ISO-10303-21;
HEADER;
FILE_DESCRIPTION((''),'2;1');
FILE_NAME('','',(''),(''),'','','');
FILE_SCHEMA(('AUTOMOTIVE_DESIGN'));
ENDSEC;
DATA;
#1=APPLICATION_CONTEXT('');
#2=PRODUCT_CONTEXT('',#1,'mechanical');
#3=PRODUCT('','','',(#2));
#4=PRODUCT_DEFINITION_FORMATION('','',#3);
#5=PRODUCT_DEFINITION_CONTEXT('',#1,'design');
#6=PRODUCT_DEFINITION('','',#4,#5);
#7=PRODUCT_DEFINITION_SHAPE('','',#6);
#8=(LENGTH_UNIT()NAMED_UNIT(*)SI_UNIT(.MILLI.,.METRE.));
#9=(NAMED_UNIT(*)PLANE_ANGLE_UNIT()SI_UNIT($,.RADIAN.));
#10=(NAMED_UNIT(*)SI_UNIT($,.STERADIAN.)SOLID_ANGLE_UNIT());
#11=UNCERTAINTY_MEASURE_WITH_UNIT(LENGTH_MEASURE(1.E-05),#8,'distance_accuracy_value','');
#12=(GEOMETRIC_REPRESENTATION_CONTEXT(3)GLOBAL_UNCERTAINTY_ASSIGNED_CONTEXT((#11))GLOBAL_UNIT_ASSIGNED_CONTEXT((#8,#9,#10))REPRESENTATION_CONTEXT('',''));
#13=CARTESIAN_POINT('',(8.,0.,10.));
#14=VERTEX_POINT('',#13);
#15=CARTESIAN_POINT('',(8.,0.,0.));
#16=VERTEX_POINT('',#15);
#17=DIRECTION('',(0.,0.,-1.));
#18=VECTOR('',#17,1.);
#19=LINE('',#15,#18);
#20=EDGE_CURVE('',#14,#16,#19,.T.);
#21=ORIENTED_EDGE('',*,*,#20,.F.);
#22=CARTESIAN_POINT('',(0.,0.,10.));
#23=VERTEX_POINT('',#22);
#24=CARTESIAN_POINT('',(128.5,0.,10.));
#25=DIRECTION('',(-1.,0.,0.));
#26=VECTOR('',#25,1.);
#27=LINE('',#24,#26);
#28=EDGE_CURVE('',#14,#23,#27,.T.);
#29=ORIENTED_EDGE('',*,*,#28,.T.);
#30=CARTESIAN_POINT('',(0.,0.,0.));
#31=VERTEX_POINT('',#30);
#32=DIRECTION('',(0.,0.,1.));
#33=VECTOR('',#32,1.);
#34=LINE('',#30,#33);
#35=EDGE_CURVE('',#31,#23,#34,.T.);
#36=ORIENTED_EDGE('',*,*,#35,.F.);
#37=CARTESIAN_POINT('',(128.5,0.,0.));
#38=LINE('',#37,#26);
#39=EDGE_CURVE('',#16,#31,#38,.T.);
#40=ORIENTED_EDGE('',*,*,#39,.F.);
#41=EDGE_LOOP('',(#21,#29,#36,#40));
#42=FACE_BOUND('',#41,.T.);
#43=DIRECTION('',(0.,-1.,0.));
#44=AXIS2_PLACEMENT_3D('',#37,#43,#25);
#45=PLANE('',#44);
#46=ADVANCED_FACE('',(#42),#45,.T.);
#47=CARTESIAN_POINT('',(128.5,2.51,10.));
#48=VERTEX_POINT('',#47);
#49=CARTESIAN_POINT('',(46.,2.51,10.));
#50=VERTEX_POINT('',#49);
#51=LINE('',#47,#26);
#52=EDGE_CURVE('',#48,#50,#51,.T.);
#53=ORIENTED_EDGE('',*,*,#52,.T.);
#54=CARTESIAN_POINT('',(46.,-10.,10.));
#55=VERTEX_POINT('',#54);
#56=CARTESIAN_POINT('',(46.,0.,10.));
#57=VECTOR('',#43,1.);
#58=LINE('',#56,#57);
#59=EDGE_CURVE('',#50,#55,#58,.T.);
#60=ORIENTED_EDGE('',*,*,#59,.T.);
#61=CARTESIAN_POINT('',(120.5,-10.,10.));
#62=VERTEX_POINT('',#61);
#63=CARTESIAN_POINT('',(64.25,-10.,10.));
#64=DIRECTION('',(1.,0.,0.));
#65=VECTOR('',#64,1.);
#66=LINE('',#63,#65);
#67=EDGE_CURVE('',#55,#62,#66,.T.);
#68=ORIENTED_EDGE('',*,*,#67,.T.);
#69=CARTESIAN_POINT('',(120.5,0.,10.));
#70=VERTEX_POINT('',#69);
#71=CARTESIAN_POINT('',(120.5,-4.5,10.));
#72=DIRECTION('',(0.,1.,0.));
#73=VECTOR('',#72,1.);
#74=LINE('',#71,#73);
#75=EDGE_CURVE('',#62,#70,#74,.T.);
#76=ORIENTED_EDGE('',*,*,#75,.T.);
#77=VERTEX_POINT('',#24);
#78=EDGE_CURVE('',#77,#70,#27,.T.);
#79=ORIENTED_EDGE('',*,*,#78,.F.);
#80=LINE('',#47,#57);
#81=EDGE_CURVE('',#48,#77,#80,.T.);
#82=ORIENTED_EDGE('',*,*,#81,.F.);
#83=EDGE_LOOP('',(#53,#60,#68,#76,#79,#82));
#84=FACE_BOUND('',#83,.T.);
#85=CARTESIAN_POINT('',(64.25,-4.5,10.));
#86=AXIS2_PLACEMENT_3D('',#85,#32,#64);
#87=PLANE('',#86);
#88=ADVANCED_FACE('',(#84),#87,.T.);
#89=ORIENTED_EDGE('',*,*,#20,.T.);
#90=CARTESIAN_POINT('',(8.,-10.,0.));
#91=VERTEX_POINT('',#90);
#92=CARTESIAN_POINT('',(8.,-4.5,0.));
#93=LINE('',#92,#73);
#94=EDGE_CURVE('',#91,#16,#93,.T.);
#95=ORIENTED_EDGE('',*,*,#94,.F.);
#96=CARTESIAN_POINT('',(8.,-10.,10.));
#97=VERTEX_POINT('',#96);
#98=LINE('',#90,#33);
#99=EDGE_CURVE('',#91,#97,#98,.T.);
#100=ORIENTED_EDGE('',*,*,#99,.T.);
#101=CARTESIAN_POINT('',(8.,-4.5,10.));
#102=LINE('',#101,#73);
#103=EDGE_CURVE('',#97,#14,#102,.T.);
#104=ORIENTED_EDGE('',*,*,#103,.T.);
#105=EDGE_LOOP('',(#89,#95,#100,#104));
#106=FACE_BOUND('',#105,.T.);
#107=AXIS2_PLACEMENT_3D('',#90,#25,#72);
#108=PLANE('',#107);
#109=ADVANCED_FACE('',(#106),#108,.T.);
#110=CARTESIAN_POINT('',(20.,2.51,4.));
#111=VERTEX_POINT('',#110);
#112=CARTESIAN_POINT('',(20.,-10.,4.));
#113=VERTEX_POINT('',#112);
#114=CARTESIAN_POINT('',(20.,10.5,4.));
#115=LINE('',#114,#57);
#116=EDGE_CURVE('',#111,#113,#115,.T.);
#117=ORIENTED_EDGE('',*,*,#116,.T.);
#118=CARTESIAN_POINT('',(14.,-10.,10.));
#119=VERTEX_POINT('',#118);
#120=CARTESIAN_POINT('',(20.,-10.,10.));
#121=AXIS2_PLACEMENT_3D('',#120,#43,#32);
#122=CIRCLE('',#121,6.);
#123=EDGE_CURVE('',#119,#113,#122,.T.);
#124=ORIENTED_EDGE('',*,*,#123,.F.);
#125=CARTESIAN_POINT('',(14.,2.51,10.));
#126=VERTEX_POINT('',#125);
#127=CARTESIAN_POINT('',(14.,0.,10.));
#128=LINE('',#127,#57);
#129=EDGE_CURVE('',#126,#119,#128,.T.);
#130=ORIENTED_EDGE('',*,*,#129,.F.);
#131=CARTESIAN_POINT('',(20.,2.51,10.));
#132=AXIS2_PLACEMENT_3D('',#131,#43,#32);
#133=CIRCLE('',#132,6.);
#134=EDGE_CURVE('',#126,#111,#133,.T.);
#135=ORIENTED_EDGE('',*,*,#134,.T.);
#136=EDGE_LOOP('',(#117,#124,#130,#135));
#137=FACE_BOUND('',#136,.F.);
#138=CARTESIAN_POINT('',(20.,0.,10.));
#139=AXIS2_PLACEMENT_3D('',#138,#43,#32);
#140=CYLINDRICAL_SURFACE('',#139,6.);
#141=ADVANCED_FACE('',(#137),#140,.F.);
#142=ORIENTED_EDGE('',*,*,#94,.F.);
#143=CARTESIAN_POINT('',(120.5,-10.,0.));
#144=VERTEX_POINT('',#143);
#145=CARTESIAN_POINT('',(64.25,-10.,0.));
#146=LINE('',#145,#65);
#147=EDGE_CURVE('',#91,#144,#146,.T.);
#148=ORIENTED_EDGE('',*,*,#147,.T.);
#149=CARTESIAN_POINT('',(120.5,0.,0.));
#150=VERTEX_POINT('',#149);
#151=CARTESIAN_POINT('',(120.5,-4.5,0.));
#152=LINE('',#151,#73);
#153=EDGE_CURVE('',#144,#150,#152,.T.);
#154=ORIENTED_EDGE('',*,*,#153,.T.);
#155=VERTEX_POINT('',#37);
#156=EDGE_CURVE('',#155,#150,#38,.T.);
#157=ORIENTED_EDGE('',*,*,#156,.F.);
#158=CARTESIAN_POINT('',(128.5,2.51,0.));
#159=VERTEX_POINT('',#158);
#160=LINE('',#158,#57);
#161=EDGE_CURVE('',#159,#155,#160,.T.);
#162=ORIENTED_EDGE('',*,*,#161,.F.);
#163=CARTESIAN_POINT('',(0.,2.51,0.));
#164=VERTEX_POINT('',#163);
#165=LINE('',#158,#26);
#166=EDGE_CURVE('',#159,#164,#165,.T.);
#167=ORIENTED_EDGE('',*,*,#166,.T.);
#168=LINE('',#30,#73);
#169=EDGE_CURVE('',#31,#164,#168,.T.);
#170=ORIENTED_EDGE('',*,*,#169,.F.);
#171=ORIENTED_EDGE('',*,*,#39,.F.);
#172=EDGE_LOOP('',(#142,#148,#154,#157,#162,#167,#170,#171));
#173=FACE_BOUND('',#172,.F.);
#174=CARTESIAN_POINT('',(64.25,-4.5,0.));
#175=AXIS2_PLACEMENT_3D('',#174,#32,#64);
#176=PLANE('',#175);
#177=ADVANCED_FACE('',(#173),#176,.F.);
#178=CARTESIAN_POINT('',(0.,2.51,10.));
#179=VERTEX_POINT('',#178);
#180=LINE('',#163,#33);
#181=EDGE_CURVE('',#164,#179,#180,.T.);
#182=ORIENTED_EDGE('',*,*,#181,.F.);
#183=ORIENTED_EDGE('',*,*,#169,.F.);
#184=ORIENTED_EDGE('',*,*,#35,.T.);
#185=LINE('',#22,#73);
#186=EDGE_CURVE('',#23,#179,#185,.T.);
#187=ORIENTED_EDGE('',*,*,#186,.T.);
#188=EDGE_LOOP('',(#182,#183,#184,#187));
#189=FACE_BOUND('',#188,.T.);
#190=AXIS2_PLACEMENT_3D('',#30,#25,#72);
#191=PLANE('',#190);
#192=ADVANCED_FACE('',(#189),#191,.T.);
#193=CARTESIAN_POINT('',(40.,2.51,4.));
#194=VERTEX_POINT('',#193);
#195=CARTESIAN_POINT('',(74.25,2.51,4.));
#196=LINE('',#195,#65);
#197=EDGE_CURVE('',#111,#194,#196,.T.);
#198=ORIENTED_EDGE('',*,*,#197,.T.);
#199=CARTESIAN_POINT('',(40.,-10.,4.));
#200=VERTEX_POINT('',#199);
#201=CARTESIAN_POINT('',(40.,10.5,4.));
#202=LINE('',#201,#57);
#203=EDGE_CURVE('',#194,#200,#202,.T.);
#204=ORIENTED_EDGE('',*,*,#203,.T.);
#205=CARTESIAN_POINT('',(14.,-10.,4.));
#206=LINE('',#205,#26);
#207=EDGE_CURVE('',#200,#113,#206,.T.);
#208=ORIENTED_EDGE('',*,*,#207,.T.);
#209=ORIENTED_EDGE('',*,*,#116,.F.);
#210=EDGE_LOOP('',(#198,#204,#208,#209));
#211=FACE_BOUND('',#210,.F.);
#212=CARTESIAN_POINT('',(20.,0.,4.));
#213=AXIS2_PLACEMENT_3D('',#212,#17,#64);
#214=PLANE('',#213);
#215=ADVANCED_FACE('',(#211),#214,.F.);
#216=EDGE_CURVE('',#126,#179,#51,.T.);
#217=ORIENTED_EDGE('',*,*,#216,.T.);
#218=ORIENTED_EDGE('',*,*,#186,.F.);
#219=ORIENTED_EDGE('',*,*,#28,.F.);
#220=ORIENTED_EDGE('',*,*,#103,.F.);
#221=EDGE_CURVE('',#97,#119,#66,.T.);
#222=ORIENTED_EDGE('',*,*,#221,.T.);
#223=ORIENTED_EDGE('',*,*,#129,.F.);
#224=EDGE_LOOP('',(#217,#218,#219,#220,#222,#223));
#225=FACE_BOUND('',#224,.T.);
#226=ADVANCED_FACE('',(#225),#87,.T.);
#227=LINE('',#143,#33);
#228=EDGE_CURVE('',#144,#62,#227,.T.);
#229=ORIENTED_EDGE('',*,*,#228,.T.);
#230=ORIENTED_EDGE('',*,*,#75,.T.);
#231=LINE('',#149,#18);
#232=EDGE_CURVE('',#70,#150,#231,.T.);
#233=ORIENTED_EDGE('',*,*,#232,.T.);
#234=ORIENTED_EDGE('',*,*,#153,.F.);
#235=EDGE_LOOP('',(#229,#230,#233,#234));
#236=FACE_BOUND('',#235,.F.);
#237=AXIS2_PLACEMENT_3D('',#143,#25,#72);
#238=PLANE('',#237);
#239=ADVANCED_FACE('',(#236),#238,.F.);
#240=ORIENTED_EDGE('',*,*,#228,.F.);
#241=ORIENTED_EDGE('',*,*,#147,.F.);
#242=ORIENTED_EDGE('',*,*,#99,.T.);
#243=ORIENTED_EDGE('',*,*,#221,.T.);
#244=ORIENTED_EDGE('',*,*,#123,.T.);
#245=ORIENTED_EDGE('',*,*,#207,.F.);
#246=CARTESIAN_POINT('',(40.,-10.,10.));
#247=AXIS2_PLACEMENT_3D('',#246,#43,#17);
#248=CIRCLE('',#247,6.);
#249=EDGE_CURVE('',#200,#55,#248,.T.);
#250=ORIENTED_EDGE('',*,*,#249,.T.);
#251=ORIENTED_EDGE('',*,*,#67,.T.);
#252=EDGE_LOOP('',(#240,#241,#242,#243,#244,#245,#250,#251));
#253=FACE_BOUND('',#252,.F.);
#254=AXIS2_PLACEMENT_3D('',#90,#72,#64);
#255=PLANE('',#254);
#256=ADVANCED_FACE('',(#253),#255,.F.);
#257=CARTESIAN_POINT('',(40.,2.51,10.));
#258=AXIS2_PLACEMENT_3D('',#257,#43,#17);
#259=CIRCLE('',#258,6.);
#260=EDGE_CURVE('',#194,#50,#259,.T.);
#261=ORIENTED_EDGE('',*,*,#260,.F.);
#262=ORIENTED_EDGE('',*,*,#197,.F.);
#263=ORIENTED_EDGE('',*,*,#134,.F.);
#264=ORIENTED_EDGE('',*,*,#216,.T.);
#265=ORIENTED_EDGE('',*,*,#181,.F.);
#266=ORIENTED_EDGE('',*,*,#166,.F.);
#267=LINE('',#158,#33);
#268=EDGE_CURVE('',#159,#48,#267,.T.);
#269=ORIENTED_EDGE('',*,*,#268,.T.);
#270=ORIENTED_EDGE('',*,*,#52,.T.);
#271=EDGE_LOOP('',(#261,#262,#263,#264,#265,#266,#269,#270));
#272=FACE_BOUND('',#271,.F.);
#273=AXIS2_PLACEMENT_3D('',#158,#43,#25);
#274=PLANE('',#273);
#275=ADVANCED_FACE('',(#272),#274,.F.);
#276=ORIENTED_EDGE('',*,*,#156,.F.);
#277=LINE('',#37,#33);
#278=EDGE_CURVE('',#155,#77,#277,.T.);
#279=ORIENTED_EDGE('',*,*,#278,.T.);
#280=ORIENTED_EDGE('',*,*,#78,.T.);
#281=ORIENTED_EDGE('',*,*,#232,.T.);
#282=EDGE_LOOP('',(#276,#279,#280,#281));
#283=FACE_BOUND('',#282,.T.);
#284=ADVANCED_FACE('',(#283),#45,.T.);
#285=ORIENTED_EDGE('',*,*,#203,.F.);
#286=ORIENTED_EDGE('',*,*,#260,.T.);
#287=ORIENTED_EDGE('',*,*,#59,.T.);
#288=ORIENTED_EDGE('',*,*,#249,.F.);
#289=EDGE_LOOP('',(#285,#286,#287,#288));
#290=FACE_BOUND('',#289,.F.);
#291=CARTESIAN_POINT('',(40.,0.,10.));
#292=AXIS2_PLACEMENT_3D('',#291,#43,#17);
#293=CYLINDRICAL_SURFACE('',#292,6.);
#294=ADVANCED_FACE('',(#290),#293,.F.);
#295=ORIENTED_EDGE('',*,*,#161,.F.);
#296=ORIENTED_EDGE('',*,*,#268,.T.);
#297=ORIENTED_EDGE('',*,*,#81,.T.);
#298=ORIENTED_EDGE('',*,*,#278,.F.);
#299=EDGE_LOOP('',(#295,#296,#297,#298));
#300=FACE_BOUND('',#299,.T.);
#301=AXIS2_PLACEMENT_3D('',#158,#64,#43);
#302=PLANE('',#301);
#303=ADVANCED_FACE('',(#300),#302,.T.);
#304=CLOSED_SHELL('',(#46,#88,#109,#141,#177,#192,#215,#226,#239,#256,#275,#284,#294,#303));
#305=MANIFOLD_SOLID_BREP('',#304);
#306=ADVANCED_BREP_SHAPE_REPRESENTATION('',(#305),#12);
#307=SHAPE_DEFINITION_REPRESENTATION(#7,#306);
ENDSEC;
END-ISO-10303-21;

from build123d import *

# Parameters (mm, degrees)
PAD_DEPTH    = 10
SKETCH001_W  = 112.5
SKETCH001_H  = 11
PAD001_DEPTH = 10
POCKET_DEPTH = 10.5


with BuildPart() as part:
    # Sketch → Pad (new body)
    with BuildSketch(Plane.XY):
        Polygon((0, 0), (0, 2.51), (5, 2.51), (123.5, 2.51), (128.5, 2.51), (128.5, 0), align=None)
    extrude(amount=PAD_DEPTH)

    # Sketch001 → Pad001 (join)
    with BuildSketch(Plane.XY):
        with Locations((64.25, -4.5)):
            Rectangle(SKETCH001_W, SKETCH001_H)
    extrude(amount=PAD001_DEPTH)

    # Sketch002 → Pocket (cut, symmetric)
    with BuildSketch(Plane.XZ):
        with BuildLine():
            ThreePointArc((20, 16), (14, 10), (20, 4))
            Line((20, 4), (40, 4))
            ThreePointArc((40, 4), (46, 10), (40, 16))
            Line((40, 16), (20, 16))
        make_face()
    extrude(amount=POCKET_DEPTH, both=True, mode=Mode.SUBTRACT)


solid = part.part
